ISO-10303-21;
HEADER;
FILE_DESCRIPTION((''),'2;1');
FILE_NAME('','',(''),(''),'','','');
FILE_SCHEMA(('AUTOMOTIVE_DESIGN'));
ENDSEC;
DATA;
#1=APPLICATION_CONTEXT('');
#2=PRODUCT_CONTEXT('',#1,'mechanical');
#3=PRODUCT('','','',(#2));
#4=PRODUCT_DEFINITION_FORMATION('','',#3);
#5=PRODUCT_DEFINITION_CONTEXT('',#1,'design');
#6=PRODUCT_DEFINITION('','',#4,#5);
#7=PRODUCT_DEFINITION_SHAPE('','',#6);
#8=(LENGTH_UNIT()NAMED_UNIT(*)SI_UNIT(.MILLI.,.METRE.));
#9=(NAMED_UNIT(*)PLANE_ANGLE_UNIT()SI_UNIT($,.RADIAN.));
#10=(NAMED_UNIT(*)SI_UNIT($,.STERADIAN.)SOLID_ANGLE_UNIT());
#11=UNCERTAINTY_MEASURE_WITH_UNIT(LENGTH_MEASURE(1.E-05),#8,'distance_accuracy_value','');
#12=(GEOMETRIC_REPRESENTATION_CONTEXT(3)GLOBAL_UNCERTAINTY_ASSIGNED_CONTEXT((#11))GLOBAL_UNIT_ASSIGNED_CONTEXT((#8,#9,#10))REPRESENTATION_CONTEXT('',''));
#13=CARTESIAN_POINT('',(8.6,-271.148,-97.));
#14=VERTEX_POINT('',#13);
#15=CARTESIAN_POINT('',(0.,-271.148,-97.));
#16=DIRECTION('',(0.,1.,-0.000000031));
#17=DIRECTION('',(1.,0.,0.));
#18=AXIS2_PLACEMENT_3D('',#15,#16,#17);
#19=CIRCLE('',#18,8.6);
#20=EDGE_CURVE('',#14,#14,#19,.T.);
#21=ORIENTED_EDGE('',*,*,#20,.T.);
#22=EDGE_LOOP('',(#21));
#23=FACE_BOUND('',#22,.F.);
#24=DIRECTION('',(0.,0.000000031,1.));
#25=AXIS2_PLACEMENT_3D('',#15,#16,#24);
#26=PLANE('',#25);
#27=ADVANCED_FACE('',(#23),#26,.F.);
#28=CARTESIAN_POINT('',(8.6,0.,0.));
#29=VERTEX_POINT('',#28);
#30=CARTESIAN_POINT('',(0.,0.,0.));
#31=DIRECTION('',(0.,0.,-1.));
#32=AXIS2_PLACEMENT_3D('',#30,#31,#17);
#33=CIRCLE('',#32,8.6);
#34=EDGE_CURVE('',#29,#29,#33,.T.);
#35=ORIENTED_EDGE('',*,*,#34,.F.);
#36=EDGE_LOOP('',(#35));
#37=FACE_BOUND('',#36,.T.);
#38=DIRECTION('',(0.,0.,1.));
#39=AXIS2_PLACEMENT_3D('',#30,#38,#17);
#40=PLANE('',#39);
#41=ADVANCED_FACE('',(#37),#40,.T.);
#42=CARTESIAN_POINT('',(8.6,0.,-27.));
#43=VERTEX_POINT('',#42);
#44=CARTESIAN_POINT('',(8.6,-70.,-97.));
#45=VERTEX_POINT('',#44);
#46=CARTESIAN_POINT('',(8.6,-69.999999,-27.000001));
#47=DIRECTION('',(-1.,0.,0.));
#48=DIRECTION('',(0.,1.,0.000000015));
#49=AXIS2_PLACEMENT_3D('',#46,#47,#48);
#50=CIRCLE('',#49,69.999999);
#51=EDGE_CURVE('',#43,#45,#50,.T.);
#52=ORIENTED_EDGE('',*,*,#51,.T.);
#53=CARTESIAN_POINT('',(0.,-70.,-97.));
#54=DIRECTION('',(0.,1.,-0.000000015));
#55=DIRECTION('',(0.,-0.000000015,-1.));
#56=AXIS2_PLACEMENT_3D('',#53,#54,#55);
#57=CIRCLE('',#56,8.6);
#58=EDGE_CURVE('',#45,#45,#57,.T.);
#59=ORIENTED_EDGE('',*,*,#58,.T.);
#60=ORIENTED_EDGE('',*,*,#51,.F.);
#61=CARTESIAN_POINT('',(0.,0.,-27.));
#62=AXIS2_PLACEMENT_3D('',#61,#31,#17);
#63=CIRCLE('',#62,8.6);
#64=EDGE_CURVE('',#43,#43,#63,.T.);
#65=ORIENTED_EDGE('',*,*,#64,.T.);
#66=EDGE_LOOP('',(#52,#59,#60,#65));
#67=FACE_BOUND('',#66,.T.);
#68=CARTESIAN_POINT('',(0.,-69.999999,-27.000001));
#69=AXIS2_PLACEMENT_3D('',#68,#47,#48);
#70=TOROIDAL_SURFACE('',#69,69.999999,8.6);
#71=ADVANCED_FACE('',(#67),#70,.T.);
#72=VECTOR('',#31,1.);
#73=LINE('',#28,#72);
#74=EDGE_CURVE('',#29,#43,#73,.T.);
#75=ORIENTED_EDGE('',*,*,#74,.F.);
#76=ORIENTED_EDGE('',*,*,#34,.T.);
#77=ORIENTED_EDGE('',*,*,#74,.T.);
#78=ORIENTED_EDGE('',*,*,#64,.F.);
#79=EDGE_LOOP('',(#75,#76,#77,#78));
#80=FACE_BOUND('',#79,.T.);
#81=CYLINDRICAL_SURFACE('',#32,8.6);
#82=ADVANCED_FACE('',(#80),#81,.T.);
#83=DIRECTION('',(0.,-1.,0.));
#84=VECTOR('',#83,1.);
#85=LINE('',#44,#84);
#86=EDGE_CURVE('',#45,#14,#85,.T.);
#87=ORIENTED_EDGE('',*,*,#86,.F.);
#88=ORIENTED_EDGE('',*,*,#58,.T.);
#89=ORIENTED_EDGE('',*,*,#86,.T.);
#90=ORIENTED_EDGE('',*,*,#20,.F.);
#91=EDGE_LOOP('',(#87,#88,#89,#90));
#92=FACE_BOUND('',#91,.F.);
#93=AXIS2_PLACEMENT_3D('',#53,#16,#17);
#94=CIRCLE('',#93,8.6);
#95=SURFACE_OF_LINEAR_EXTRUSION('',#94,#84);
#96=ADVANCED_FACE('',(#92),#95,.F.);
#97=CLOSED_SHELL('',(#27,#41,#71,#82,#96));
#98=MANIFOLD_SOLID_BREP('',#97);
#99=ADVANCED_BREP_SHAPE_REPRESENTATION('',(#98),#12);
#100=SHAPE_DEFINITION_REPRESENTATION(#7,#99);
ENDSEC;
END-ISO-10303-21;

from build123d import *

# Parameters (mm, degrees)
F1_R = 8.6


with BuildPart() as f2:
    # F2: sweep along a path in F0
    with BuildLine(Plane.YZ) as f2_path:
        Line((0, 0), (0, -27))
        ThreePointArc((0, -27), (-20.502525, -76.497475), (-70, -97))
        Line((-70, -97), (-271.148, -97))
    # F1 (on Top) → F2 (sweep)
    with BuildSketch(Plane.XY):
        Circle(F1_R)
    sweep(path=f2_path.line)


solid = f2.part
